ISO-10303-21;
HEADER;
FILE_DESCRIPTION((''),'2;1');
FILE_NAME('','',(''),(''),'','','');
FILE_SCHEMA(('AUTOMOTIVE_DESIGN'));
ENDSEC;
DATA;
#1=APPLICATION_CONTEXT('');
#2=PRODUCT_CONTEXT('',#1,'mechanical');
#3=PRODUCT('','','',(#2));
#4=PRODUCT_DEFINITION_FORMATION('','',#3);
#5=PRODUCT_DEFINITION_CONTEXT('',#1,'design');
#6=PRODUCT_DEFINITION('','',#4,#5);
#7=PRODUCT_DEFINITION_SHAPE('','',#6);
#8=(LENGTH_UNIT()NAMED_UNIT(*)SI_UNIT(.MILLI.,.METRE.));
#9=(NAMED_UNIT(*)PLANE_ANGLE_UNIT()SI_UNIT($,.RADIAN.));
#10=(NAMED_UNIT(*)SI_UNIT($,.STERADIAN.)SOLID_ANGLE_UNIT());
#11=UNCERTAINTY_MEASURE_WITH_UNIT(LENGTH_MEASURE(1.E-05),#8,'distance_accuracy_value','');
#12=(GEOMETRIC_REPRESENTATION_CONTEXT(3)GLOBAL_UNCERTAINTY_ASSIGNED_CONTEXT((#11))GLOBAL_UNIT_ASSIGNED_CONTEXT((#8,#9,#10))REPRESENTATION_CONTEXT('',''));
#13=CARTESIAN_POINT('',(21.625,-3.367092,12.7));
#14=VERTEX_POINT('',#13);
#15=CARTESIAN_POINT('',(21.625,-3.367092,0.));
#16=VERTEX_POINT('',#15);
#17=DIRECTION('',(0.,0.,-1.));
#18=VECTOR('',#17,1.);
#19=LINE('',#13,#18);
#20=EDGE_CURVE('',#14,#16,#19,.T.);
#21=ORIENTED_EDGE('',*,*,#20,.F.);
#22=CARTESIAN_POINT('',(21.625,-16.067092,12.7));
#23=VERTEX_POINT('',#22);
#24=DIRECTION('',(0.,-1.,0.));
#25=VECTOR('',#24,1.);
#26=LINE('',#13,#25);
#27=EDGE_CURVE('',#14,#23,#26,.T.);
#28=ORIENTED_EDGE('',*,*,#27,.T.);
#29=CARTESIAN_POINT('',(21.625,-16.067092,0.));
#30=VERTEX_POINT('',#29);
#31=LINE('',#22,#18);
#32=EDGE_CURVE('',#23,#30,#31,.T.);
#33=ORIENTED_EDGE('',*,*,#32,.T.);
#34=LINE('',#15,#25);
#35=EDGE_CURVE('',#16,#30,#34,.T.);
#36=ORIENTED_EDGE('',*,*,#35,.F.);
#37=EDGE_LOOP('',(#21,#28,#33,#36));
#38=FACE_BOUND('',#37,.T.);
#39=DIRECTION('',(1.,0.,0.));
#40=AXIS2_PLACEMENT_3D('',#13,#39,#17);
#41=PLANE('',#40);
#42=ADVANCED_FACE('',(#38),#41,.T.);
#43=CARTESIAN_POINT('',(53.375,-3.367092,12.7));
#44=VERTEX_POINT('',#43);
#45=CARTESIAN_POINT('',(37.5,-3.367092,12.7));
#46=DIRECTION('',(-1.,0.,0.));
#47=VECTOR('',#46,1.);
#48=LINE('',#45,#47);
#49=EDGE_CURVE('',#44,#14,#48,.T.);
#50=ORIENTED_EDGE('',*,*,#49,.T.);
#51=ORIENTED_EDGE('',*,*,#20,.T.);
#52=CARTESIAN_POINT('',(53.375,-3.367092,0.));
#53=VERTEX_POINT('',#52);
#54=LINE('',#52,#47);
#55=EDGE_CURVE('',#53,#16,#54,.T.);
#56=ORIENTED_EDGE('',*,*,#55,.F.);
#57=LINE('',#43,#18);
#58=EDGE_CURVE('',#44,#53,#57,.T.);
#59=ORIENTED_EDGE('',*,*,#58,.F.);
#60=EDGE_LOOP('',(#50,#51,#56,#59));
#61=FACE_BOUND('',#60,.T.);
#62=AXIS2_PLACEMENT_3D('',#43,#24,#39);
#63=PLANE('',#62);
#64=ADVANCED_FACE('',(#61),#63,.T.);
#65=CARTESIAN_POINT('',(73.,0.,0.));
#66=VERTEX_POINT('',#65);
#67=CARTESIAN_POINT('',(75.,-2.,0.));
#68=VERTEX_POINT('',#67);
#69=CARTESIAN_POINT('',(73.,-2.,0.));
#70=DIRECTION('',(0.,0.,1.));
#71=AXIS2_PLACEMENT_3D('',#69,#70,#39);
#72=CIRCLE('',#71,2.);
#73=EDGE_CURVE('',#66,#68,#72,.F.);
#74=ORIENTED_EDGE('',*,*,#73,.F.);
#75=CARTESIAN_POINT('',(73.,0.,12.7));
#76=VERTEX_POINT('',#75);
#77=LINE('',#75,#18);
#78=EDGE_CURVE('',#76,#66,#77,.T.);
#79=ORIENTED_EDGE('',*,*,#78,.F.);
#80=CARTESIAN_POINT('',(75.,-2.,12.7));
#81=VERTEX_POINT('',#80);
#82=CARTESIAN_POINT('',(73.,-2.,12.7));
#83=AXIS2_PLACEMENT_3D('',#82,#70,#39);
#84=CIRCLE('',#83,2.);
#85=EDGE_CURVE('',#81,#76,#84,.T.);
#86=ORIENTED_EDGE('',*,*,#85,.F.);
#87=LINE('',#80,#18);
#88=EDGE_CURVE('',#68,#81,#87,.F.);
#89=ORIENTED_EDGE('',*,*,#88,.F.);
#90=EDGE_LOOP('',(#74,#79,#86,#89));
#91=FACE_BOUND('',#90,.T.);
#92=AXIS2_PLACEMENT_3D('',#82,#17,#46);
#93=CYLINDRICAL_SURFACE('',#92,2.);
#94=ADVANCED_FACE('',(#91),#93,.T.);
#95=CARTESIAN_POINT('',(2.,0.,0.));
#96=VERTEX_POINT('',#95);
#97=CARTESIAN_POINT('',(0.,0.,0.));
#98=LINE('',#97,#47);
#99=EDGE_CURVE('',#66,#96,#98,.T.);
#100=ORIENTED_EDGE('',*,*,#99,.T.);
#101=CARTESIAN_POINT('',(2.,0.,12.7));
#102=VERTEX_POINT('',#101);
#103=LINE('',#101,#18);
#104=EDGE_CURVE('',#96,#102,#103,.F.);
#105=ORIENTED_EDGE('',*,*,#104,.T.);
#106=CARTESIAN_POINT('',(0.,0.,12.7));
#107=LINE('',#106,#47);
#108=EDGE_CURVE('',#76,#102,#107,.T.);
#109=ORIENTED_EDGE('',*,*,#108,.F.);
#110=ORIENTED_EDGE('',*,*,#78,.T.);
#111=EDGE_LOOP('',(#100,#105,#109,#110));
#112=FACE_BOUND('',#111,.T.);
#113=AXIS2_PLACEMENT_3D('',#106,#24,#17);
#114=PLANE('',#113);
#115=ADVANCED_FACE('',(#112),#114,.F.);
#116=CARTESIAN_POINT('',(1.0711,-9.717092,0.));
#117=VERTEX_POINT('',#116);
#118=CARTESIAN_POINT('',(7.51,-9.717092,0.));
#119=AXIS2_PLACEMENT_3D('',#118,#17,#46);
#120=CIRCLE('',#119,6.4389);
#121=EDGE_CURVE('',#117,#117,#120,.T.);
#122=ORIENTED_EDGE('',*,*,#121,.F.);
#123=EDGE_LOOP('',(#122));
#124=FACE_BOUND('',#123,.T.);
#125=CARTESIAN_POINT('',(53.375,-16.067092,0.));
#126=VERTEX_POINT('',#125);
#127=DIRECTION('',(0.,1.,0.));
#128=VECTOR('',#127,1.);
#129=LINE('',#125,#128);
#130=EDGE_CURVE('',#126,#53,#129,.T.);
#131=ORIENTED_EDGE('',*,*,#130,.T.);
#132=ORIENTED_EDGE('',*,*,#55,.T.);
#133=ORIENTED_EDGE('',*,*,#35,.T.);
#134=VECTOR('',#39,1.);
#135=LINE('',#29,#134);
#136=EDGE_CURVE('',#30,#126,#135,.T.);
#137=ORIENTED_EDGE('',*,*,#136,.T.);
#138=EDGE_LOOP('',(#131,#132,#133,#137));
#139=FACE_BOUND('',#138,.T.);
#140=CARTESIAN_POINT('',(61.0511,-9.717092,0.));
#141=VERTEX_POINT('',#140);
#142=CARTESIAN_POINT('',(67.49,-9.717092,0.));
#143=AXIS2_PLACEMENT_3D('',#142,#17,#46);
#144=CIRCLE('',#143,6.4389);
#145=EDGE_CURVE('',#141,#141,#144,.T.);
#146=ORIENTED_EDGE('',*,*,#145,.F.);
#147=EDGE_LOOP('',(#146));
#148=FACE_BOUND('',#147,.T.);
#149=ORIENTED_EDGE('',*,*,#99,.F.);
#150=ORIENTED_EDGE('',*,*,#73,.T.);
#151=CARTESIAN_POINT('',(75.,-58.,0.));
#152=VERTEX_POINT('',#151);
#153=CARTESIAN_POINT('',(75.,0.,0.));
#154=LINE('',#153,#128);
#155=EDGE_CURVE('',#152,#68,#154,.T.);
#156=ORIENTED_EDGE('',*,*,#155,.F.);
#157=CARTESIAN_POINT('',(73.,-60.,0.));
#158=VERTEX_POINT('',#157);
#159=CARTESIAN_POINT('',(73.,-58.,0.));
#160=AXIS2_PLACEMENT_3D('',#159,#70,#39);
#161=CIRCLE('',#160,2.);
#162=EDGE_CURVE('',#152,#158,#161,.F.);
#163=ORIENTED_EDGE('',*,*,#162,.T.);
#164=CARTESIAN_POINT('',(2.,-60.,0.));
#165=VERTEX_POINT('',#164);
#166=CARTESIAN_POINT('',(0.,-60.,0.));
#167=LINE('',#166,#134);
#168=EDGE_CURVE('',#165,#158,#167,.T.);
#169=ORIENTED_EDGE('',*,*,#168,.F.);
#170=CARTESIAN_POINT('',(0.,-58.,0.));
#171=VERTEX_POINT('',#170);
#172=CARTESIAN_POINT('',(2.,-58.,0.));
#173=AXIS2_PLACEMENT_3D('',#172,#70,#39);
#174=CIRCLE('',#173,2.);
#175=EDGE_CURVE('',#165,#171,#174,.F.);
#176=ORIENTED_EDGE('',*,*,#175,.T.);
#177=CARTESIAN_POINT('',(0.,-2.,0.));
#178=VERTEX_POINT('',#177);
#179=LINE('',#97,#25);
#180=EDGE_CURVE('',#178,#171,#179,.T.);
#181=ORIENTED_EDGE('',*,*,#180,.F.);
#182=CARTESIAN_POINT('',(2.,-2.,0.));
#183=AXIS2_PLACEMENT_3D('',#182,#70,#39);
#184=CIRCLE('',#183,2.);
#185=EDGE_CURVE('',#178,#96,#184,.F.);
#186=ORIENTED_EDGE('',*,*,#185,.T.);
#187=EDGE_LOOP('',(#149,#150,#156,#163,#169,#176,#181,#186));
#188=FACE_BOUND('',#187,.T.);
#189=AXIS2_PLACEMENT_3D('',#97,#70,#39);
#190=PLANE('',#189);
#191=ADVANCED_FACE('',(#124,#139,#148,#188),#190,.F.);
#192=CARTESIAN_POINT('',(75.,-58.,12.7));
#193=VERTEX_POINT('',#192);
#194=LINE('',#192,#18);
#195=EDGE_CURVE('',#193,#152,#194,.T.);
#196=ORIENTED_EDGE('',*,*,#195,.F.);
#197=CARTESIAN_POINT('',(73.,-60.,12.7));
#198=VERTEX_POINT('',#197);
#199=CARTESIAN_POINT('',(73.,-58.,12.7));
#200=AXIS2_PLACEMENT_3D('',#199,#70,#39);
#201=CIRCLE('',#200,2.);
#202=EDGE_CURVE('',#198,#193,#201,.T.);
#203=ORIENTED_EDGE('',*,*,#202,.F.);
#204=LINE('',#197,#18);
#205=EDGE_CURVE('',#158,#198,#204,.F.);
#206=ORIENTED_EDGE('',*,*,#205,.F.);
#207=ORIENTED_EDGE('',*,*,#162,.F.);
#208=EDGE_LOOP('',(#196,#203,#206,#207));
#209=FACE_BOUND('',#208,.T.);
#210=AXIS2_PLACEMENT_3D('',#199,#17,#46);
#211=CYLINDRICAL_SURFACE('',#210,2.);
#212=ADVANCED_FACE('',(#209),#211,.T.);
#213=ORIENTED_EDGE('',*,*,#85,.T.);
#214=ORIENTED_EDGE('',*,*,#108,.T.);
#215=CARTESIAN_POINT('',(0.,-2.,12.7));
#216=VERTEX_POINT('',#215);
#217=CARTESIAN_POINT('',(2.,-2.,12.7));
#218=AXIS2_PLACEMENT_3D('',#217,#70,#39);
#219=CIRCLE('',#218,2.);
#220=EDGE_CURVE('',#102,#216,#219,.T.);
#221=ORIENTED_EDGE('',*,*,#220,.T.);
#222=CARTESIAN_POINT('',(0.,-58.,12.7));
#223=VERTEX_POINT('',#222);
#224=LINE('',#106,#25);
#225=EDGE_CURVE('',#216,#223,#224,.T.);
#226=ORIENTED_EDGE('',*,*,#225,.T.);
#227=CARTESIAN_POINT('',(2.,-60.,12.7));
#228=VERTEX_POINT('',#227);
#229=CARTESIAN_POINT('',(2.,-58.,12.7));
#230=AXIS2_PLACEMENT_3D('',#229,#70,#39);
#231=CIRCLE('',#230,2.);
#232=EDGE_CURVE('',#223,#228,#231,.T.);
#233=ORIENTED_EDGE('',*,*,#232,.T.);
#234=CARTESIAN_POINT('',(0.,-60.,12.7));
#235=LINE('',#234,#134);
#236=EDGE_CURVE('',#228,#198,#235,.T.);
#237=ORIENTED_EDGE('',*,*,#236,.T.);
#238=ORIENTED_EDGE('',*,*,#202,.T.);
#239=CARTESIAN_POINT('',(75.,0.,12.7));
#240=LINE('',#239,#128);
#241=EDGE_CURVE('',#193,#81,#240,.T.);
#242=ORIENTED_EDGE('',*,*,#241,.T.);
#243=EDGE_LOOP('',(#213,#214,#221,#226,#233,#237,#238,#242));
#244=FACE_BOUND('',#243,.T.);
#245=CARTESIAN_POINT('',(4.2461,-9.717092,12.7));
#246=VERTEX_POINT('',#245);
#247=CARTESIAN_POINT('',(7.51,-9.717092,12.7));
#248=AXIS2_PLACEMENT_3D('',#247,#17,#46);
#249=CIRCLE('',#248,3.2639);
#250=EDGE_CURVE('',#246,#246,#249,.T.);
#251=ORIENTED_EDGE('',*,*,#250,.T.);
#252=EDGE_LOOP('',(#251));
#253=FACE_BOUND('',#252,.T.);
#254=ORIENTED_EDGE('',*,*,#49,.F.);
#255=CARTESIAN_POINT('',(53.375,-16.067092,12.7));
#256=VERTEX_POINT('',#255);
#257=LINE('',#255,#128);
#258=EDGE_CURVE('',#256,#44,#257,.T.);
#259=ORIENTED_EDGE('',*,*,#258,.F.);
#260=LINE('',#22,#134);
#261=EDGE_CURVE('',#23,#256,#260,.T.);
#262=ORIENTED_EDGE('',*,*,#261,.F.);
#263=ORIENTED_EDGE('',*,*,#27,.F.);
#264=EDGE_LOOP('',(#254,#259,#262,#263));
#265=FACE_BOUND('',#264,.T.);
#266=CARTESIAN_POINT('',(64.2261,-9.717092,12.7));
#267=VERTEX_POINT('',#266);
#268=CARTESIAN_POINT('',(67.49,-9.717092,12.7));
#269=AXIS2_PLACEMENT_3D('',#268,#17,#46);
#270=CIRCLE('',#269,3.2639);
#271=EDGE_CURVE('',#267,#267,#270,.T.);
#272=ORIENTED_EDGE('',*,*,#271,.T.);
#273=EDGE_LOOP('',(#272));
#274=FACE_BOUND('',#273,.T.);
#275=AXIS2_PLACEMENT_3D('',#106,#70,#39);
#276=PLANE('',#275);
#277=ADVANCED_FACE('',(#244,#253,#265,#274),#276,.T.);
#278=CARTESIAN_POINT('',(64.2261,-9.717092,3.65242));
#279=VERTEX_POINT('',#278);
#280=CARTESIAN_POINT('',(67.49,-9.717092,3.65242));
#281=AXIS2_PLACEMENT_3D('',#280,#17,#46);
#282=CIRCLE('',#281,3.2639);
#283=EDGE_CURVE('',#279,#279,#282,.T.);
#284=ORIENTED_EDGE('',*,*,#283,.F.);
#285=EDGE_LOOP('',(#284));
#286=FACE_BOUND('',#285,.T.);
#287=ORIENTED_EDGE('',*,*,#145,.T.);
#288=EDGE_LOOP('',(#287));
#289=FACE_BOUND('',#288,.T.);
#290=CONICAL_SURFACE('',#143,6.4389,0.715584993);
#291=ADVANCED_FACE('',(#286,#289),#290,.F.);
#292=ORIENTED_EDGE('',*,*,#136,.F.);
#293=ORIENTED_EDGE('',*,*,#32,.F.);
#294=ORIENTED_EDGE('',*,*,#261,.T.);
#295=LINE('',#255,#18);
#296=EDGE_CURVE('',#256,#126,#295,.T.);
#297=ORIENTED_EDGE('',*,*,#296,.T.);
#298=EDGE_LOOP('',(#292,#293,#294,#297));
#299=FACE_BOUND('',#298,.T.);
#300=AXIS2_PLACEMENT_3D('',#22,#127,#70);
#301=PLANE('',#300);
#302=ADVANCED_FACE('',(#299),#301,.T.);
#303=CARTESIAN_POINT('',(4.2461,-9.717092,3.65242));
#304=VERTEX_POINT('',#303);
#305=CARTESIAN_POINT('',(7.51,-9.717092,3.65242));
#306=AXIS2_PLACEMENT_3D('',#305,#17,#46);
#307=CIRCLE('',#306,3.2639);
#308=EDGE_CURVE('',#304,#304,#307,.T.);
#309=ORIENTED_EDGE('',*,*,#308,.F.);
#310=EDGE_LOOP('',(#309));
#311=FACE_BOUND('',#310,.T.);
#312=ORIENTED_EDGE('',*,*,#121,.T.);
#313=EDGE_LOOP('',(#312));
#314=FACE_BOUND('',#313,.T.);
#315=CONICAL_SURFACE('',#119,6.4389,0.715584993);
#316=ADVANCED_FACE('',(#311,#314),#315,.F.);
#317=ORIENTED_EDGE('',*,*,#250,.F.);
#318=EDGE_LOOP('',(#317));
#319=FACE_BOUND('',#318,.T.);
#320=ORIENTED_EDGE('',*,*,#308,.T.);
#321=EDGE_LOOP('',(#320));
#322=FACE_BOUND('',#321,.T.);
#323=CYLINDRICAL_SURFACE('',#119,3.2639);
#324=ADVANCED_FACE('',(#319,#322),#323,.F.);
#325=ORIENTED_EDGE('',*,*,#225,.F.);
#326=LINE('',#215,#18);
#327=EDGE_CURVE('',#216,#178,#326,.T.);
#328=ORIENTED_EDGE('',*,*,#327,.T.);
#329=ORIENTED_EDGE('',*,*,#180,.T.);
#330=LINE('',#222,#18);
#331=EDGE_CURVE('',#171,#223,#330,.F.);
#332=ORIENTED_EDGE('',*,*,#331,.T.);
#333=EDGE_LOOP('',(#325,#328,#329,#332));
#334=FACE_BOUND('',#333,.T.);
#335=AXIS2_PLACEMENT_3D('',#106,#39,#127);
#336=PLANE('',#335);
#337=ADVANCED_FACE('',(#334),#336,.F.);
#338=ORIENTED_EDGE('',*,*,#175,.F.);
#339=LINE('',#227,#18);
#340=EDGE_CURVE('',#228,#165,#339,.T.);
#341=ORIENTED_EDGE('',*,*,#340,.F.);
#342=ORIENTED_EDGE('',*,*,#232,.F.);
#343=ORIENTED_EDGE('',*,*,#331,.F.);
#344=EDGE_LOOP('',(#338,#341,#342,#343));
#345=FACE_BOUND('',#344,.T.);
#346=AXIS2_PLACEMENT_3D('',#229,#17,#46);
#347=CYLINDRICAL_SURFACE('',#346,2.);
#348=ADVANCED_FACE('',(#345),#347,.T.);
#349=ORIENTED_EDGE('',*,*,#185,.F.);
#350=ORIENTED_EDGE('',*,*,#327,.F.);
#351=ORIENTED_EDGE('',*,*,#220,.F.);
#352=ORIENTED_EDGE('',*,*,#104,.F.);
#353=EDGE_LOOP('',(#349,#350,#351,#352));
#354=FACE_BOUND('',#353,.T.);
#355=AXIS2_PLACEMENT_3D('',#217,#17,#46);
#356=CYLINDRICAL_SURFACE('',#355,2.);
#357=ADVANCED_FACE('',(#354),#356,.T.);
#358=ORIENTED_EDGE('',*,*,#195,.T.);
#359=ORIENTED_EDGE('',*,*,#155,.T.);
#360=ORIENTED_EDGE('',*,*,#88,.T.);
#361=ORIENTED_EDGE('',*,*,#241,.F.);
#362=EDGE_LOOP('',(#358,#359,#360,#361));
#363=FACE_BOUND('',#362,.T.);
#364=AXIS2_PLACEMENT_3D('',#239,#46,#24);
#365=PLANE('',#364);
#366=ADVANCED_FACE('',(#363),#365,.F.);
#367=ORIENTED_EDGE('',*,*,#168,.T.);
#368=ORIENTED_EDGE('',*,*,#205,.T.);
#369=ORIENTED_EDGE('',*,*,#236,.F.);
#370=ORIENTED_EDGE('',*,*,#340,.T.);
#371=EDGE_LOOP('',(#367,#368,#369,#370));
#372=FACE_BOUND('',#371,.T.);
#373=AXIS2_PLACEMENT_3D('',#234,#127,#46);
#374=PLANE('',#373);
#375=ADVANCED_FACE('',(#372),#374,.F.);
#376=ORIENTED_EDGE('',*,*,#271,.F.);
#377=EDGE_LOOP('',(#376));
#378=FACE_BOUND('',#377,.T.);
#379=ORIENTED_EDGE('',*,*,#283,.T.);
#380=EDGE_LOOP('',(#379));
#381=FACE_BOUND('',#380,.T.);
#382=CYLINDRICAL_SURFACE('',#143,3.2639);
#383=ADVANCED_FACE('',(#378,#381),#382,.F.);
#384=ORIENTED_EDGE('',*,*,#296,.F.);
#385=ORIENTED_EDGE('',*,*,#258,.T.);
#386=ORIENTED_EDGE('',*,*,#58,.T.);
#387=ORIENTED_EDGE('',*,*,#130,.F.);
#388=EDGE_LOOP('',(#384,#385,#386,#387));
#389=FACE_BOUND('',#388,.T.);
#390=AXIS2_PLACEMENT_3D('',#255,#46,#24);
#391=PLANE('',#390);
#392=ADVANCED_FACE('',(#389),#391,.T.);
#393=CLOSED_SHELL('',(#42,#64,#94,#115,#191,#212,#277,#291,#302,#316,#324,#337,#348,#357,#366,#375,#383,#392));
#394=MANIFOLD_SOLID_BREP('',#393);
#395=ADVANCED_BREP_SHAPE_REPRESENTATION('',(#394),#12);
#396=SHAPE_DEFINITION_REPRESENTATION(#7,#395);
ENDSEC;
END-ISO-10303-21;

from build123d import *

# Parameters (mm, degrees)
SKETCH1_W                                        = 75
SKETCH1_H                                        = 60
BOSS_EXTRUDE1_DEPTH                              = 12.7
CSK_FOR_1_4_FLAT_HEAD_MACHINE_SCREW1_D           = 6.5278
CSK_FOR_1_4_FLAT_HEAD_MACHINE_SCREW1_CSINK_D     = 12.8778
CSK_FOR_1_4_FLAT_HEAD_MACHINE_SCREW1_CSINK_ANGLE = 82
FILLET1_R                                        = 2


with BuildPart() as part:
    # Sketch1 → Boss-Extrude1 (new body)
    with BuildSketch(Plane.XY):
        with Locations((37.5, -30)):
            Rectangle(SKETCH1_W, SKETCH1_H)
        Polygon((21.625, -3.367091904), (21.625, -16.067091904), (53.375, -16.067091904), (53.375, -3.367091904), (37.5, -3.367091904), align=None, mode=Mode.SUBTRACT)
    extrude(amount=BOSS_EXTRUDE1_DEPTH)

    # CSK for 1/4 Flat Head Machine Screw1 (through all)
    with Locations(Plane(origin=(0, 0, 0), x_dir=(-1, 0, 0), z_dir=(0, 0, -1))):
        with Locations((-67.49, -9.717091904), (-7.51, -9.717091904)):
            CounterSinkHole(CSK_FOR_1_4_FLAT_HEAD_MACHINE_SCREW1_D / 2, CSK_FOR_1_4_FLAT_HEAD_MACHINE_SCREW1_CSINK_D / 2, counter_sink_angle=CSK_FOR_1_4_FLAT_HEAD_MACHINE_SCREW1_CSINK_ANGLE)

    # Fillet1
    fillet1_edges = [part.edges().sort_by_distance(p)[0] for p in [
        (0, 0, 6.35),
        (75, 0, 6.35),
        (75, -60, 6.35),
        (0, -60, 6.35),
    ]]
    fillet(fillet1_edges, radius=FILLET1_R)


solid = part.part
